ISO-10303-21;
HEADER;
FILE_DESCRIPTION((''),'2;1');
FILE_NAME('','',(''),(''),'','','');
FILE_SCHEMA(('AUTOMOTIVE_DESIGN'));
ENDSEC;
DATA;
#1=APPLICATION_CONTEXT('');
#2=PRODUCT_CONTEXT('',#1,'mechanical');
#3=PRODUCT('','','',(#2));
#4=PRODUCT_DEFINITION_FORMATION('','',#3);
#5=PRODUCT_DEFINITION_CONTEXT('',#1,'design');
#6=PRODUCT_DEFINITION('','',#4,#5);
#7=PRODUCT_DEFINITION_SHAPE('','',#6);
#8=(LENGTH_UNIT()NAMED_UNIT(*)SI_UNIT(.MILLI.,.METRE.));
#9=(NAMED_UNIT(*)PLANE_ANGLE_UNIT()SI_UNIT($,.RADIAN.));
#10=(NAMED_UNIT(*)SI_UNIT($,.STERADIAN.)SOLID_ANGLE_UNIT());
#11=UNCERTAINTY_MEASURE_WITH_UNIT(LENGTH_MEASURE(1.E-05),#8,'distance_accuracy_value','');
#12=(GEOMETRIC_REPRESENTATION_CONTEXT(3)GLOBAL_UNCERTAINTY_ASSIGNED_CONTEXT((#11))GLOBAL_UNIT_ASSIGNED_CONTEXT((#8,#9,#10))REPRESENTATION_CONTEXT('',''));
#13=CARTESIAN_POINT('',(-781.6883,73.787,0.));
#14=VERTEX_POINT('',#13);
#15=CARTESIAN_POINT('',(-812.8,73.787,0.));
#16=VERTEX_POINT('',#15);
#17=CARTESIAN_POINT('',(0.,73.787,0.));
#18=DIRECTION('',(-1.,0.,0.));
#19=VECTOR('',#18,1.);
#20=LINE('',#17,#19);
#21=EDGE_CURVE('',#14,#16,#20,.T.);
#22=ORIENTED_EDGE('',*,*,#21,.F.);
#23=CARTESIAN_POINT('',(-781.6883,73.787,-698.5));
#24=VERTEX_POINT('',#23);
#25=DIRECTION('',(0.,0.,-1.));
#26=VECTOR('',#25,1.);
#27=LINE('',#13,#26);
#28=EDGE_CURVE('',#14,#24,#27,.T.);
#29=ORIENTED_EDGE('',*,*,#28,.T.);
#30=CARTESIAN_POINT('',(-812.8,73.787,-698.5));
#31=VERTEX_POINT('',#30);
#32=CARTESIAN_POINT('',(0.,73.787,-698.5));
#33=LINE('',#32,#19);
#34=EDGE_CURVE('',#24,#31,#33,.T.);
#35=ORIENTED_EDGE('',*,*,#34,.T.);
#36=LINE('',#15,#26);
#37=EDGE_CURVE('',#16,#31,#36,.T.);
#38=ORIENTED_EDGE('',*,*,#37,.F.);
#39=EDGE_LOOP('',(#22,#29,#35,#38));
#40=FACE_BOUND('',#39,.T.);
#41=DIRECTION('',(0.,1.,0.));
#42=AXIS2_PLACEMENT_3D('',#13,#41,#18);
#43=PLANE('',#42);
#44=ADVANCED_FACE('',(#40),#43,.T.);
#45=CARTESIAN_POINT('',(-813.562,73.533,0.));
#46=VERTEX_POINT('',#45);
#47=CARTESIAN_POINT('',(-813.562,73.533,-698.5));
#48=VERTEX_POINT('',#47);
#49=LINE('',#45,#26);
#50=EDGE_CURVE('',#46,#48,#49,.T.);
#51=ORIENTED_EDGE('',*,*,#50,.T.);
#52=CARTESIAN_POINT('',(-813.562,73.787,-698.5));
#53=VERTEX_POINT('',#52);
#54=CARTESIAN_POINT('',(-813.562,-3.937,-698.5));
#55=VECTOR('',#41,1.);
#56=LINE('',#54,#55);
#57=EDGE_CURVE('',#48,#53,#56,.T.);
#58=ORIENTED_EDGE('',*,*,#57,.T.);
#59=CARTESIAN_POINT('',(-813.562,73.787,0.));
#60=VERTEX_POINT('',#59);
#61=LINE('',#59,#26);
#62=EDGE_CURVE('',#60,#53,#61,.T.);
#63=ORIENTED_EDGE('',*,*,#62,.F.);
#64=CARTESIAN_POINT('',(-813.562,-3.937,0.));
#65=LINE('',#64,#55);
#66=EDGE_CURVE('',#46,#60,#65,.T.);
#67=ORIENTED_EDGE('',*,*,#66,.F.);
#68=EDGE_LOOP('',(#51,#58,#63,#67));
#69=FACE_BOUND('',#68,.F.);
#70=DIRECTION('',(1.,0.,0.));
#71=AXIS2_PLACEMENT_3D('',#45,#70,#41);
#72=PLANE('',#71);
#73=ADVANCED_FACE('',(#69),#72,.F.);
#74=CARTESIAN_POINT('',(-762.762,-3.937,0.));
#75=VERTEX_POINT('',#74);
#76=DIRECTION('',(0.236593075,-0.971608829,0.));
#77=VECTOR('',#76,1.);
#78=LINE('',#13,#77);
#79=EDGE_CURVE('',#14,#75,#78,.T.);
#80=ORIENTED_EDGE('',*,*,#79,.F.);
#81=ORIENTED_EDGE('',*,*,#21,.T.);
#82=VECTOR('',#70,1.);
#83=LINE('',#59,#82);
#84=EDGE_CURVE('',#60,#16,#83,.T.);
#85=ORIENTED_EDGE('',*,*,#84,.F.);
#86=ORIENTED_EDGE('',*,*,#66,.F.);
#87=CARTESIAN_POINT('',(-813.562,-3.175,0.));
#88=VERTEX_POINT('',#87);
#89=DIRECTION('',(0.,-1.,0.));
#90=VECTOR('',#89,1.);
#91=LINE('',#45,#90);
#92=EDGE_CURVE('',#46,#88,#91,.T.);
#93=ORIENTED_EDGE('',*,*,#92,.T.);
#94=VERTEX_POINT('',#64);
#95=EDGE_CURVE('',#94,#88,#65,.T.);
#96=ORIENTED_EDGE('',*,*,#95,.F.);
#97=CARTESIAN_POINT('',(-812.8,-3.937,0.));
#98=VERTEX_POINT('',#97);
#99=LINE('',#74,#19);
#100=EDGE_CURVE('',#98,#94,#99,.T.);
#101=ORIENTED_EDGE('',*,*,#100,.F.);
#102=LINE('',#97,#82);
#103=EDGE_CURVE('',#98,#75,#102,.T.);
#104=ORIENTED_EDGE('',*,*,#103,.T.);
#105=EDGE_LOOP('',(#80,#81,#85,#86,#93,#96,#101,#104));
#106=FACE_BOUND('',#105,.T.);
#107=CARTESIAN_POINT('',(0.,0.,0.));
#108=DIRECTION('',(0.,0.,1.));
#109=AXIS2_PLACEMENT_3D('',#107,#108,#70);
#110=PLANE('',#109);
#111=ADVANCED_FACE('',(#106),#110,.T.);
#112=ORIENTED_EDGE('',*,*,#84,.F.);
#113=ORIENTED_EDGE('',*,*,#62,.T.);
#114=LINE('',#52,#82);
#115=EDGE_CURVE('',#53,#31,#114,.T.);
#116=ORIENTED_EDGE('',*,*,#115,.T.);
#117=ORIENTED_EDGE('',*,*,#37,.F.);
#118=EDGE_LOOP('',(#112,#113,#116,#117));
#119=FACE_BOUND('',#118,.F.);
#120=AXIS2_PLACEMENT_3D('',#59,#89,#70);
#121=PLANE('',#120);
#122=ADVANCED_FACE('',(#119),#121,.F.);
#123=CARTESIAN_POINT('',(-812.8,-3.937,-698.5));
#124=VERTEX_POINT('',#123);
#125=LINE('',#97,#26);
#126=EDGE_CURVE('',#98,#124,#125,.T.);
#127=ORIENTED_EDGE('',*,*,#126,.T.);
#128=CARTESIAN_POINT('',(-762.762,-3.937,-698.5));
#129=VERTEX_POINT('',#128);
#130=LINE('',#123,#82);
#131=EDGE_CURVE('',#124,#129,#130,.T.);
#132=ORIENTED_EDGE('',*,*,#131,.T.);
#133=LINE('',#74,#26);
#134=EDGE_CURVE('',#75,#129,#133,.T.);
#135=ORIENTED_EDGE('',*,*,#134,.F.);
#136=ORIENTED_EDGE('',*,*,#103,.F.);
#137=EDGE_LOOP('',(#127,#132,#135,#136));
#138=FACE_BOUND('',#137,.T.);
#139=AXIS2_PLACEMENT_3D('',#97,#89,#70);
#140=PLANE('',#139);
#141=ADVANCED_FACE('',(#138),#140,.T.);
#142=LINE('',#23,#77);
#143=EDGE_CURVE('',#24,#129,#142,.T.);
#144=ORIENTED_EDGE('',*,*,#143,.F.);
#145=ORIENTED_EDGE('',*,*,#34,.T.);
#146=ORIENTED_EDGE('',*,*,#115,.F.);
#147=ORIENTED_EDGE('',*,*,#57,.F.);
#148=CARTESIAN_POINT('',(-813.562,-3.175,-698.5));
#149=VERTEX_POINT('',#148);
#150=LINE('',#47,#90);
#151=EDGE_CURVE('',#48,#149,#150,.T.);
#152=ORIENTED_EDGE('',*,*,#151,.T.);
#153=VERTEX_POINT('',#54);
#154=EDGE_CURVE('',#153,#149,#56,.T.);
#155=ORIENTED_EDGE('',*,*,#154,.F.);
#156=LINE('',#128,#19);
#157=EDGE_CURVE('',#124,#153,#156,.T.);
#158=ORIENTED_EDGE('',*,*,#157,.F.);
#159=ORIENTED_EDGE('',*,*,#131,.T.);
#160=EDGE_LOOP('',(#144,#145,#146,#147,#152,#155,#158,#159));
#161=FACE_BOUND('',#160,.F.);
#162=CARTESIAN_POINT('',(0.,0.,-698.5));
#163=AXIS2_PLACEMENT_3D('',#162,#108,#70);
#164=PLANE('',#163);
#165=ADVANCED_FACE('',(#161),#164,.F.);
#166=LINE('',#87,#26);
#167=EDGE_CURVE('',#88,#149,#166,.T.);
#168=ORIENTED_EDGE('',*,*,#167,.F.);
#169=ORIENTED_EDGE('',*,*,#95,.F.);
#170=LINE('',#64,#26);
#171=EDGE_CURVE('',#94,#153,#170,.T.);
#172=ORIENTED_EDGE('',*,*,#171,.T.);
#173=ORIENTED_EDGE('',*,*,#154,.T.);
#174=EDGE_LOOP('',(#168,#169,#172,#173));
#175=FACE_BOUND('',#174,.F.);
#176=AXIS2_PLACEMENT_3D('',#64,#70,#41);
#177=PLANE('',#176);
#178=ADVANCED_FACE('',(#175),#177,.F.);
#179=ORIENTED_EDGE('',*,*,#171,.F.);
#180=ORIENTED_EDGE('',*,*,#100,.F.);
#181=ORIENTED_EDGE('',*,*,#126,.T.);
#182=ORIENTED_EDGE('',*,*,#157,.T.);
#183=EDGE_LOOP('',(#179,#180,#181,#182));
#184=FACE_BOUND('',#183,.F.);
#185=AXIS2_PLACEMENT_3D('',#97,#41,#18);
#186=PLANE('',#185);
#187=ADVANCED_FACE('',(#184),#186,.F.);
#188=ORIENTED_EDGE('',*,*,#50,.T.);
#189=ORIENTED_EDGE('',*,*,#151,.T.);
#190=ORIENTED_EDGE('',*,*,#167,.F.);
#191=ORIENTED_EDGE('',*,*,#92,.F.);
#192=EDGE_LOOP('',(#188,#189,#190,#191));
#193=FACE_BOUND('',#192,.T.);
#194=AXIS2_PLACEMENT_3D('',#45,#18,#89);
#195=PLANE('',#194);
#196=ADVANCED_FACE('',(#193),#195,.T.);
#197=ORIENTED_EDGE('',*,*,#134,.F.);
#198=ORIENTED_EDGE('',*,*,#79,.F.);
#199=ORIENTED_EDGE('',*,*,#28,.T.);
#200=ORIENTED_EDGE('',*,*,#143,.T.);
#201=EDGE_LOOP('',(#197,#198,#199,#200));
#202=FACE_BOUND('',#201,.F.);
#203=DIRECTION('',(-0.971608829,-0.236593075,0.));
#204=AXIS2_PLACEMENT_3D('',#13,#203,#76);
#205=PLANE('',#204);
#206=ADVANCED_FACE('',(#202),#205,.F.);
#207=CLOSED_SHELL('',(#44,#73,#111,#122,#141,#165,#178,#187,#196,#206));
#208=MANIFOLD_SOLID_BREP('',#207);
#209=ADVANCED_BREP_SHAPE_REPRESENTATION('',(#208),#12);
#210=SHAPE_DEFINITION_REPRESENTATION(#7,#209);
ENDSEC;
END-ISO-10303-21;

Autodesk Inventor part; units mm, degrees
ref_plane "YZ Plane" through (0, 0, 0) normal (1, 0, 0) x (0, 1, 0)
ref_plane "XZ Plane" through (0, 0, 0) normal (0, 1, 0) x (-1, 0, 0)
sketch "Sketch1" plane through (0, 0, 0) normal (0, 0, 1) x (1, 0, 0)
  line L0 (-812.8, -3.937) -> (0, -3.937) projected
  line L1 (0, 73.787) -> (-812.8, 73.787) projected
  line L2 (-813.562, 73.533) -> (-813.562, -3.175) projected
  line L3 (-762.762, -3.937) -> (-762.762, -7.112) projected
  line L4 (-781.812, 77.47) -> (-781.812, 74.295) projected
  line L5 (-762.762, -3.937) -> (-813.562, -3.937)
  line L6 (-813.562, -3.937) -> (-813.562, 73.787)
  line L7 (-813.562, 73.787) -> (-781.6883, 73.787)
  line L8 (-781.6883, 73.787) -> (-762.762, -3.937)
  point P0 (0, 0)
ref_plane "Work Plane1" through (-812.8, 0, -698.5) normal (0, 0, -1) x (0, 1, 0)
extrude "Extrusion1" add sketch "Sketch1" against normal up to surface (698.5 mm away)
properties part number "RearBumperFill"
